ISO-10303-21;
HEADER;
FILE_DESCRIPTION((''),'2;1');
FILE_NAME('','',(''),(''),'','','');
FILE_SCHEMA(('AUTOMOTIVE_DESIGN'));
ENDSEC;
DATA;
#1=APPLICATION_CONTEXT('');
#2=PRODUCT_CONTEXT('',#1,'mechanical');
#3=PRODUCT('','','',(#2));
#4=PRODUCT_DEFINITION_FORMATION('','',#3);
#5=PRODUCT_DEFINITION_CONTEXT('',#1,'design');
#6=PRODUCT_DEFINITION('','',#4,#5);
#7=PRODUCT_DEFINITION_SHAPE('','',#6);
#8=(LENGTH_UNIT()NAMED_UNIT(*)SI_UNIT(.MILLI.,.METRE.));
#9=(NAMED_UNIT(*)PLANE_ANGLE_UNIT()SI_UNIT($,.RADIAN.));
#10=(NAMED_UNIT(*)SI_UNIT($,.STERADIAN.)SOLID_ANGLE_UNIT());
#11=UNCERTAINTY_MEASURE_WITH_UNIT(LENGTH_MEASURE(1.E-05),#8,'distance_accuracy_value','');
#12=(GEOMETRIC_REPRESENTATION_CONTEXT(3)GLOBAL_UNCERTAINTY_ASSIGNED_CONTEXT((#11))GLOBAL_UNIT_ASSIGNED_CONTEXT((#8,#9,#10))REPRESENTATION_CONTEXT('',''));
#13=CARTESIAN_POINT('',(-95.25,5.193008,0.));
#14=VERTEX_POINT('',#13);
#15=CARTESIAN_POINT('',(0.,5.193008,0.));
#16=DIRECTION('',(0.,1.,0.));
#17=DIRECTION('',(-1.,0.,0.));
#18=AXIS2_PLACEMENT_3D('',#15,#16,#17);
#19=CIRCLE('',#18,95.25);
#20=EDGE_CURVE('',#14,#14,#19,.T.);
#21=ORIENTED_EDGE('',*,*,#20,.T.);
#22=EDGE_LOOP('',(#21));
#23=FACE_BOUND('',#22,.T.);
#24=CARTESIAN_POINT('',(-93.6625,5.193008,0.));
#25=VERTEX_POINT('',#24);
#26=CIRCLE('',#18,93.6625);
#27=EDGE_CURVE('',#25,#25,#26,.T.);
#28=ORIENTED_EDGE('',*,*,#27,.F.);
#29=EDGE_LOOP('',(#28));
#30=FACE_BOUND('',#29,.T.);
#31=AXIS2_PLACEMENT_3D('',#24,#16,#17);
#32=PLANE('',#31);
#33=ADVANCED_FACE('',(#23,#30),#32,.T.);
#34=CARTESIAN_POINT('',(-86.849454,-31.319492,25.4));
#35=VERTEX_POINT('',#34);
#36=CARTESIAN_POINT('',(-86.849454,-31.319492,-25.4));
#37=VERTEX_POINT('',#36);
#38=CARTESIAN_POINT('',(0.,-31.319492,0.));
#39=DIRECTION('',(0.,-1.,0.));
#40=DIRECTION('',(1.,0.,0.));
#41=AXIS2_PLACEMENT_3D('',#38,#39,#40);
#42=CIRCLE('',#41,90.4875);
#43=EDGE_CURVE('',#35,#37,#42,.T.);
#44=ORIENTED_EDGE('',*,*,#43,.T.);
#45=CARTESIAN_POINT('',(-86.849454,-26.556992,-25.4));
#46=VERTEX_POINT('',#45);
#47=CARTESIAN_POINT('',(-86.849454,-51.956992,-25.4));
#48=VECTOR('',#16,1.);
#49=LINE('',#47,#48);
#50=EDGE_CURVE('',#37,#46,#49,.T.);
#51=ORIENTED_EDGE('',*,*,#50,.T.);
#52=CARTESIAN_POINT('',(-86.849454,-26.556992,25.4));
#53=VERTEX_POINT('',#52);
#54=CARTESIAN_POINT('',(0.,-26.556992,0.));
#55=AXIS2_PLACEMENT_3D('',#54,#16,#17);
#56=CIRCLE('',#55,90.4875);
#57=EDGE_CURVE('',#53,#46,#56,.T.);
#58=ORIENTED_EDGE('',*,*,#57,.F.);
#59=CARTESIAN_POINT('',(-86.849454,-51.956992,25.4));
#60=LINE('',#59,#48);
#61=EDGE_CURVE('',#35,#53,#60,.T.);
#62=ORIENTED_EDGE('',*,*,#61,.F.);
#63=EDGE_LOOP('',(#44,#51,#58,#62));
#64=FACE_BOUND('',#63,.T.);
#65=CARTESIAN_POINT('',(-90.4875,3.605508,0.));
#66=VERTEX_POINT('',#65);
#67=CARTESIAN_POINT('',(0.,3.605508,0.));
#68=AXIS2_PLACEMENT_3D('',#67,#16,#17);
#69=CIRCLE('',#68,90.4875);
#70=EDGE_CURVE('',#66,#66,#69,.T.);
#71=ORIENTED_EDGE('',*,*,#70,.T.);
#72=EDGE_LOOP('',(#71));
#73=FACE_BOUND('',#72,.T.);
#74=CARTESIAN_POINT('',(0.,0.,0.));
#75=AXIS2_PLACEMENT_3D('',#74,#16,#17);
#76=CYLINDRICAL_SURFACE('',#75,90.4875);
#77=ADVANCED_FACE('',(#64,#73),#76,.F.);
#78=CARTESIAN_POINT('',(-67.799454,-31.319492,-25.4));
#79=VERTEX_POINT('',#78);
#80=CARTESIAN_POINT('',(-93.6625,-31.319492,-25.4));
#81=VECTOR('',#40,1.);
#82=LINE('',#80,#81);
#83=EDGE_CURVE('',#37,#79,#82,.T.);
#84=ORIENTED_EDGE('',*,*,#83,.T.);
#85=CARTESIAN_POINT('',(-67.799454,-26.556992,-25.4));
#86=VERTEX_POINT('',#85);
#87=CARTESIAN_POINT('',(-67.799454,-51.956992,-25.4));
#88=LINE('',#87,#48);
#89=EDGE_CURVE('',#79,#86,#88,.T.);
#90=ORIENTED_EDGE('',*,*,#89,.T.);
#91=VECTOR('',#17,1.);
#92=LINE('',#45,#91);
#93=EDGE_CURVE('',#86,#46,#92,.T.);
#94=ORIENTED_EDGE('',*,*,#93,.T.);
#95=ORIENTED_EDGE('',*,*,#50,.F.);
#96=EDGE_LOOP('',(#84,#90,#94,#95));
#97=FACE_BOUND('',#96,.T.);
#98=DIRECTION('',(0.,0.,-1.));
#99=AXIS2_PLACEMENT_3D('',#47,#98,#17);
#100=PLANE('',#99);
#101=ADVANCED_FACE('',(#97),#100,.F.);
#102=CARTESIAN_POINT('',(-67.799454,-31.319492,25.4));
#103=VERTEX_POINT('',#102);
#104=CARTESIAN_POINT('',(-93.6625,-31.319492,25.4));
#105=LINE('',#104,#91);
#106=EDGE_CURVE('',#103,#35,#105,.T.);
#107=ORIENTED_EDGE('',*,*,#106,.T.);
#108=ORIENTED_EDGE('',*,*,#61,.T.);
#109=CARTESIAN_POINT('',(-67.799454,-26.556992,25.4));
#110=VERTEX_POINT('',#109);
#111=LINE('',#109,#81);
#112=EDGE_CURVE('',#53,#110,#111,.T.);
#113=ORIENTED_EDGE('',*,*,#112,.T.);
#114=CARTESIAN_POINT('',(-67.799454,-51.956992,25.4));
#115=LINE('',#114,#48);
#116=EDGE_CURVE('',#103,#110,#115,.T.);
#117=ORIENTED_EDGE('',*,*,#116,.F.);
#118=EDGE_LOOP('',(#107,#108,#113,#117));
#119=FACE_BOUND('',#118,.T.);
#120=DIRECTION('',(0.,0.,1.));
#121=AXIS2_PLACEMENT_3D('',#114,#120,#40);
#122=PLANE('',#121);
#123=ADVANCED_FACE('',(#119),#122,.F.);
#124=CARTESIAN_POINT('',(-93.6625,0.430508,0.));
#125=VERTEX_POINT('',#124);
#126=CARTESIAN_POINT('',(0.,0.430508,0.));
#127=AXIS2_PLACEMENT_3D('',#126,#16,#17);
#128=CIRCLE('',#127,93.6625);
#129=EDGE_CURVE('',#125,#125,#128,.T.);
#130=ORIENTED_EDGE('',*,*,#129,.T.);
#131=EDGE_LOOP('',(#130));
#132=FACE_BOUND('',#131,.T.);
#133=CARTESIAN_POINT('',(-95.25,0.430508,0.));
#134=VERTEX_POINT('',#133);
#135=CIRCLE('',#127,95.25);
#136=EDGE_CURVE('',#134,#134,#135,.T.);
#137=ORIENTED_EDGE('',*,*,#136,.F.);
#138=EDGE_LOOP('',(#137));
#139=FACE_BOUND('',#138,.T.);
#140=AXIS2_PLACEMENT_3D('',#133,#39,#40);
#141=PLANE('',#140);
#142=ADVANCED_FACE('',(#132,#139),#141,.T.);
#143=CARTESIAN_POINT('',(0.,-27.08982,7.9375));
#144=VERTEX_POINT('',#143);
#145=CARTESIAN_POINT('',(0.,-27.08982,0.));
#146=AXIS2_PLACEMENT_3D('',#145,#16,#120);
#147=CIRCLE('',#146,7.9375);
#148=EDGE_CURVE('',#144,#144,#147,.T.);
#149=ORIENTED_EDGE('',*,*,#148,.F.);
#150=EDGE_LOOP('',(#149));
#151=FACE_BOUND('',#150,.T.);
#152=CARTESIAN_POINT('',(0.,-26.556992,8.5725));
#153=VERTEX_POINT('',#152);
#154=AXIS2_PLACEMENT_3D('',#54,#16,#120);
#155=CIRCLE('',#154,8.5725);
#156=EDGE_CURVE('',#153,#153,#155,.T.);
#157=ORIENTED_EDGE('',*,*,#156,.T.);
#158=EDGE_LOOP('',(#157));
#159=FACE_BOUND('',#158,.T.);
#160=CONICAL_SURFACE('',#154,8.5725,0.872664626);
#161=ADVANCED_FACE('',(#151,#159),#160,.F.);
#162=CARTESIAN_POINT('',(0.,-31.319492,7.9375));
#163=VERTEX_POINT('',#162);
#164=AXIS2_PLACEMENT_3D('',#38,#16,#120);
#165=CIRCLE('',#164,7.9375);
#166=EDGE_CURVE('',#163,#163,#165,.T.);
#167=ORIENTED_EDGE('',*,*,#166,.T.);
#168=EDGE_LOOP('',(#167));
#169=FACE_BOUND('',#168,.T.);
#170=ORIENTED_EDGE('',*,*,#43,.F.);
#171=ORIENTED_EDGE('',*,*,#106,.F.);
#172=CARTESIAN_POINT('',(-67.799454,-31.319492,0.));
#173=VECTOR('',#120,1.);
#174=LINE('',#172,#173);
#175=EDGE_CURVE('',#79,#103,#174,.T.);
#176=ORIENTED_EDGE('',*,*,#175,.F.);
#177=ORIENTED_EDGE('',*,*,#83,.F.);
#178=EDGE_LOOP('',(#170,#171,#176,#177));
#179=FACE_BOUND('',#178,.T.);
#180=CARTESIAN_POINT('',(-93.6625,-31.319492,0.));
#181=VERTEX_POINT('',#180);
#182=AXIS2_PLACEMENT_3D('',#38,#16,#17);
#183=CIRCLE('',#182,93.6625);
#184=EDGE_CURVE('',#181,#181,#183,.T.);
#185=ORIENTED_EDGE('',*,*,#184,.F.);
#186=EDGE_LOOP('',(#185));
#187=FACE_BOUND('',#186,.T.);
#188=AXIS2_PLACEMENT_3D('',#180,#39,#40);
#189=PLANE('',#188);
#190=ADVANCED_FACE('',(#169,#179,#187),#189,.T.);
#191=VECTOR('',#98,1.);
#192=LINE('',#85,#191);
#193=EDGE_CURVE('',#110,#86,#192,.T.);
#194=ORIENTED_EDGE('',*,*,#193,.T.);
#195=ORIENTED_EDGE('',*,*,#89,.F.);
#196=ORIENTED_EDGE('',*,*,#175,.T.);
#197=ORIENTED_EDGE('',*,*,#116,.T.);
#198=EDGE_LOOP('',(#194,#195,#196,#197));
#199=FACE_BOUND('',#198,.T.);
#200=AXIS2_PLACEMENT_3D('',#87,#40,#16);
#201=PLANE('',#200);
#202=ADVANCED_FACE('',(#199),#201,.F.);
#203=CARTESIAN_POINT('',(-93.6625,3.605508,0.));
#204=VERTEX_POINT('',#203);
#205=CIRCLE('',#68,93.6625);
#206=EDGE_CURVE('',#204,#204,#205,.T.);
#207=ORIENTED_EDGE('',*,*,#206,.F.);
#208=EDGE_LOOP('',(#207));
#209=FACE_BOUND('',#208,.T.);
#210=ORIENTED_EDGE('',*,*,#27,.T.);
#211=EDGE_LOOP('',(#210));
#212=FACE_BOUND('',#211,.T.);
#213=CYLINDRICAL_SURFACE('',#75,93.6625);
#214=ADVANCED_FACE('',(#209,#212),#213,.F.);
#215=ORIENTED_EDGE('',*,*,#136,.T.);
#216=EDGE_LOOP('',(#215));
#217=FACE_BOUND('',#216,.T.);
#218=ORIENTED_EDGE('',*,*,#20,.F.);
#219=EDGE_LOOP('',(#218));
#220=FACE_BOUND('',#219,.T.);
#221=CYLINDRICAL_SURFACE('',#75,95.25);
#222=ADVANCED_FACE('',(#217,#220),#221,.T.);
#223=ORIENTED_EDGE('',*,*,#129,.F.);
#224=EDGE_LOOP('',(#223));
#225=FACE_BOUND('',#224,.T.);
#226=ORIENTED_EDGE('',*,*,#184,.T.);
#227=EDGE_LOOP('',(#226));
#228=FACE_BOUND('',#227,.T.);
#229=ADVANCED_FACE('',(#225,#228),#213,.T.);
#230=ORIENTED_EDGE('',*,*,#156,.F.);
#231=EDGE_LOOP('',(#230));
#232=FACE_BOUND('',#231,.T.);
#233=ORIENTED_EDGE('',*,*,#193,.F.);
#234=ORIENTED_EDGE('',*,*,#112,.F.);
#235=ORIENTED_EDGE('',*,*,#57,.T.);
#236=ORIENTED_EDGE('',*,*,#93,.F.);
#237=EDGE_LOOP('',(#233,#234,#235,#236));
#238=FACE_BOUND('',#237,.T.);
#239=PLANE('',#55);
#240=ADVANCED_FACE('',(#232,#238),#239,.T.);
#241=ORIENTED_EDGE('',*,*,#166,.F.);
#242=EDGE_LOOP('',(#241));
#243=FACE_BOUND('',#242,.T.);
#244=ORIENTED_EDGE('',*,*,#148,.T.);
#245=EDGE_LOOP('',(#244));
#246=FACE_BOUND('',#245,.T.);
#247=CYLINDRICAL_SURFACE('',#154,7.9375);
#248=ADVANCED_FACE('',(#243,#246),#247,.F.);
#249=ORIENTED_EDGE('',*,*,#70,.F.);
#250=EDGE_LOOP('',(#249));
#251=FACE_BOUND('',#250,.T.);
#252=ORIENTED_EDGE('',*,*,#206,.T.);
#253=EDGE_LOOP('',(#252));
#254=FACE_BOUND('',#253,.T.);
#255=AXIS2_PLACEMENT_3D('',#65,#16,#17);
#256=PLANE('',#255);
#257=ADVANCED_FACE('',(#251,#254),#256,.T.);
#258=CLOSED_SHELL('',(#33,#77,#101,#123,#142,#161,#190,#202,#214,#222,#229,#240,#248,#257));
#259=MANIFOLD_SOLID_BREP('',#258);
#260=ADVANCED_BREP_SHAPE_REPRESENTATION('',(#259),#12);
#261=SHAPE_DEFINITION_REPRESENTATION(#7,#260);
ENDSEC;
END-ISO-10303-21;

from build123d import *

# Parameters (mm, degrees)
CUT_EXTRUDE1_DEPTH = 25.4


with BuildPart() as part:
    # Sketch1 → Revolve1 (revolve)
    with BuildSketch(Plane.XY):
        Polygon((-95.25, 5.193008475), (-95.25, 0.430508475), (-93.6625, 0.430508475), (-93.6625, -31.319491525), (0, -31.319491525), (0, -26.556991525), (-90.4875, -26.556991525), (-90.4875, 3.605508475), (-93.6625, 3.605508475), (-93.6625, 5.193008475), align=None)
    revolve(axis=Axis((0, 0, 0), (0, -1, 0)))

    # Sketch7 → 5/8 (0.625) Diameter Hole1 (revolve, cut)
    with BuildSketch(Plane(origin=(0, -26.556991525, 0), x_dir=(0, 0, 1), z_dir=(1, 0, 0))):
        Polygon((0, 0), (0, 4.7625), (7.9375, 4.7625), (7.9375, 0.532828266), (8.5725, 0), align=None)
    revolve(axis=Axis((0, -20.206991525, 0), (0, -1, 0)), mode=Mode.SUBTRACT)

    # Sketch12 → Cut-Extrude1 (cut)
    with BuildSketch(Plane(origin=(0, -26.556991525, 0), x_dir=(1, 0, 0), z_dir=(0, 1, 0))):
        with BuildLine():
            Line((-86.849453978, 25.4), (-67.799453978, 25.4))
            Line((-67.799453978, 25.4), (-67.799453978, -25.4))
            Line((-67.799453978, -25.4), (-86.849453978, -25.4))
            ThreePointArc((-86.849453978, -25.4), (-90.4875, 0), (-86.849453978, 25.4))
        make_face()
    extrude(amount=-CUT_EXTRUDE1_DEPTH, mode=Mode.SUBTRACT)


solid = part.part
